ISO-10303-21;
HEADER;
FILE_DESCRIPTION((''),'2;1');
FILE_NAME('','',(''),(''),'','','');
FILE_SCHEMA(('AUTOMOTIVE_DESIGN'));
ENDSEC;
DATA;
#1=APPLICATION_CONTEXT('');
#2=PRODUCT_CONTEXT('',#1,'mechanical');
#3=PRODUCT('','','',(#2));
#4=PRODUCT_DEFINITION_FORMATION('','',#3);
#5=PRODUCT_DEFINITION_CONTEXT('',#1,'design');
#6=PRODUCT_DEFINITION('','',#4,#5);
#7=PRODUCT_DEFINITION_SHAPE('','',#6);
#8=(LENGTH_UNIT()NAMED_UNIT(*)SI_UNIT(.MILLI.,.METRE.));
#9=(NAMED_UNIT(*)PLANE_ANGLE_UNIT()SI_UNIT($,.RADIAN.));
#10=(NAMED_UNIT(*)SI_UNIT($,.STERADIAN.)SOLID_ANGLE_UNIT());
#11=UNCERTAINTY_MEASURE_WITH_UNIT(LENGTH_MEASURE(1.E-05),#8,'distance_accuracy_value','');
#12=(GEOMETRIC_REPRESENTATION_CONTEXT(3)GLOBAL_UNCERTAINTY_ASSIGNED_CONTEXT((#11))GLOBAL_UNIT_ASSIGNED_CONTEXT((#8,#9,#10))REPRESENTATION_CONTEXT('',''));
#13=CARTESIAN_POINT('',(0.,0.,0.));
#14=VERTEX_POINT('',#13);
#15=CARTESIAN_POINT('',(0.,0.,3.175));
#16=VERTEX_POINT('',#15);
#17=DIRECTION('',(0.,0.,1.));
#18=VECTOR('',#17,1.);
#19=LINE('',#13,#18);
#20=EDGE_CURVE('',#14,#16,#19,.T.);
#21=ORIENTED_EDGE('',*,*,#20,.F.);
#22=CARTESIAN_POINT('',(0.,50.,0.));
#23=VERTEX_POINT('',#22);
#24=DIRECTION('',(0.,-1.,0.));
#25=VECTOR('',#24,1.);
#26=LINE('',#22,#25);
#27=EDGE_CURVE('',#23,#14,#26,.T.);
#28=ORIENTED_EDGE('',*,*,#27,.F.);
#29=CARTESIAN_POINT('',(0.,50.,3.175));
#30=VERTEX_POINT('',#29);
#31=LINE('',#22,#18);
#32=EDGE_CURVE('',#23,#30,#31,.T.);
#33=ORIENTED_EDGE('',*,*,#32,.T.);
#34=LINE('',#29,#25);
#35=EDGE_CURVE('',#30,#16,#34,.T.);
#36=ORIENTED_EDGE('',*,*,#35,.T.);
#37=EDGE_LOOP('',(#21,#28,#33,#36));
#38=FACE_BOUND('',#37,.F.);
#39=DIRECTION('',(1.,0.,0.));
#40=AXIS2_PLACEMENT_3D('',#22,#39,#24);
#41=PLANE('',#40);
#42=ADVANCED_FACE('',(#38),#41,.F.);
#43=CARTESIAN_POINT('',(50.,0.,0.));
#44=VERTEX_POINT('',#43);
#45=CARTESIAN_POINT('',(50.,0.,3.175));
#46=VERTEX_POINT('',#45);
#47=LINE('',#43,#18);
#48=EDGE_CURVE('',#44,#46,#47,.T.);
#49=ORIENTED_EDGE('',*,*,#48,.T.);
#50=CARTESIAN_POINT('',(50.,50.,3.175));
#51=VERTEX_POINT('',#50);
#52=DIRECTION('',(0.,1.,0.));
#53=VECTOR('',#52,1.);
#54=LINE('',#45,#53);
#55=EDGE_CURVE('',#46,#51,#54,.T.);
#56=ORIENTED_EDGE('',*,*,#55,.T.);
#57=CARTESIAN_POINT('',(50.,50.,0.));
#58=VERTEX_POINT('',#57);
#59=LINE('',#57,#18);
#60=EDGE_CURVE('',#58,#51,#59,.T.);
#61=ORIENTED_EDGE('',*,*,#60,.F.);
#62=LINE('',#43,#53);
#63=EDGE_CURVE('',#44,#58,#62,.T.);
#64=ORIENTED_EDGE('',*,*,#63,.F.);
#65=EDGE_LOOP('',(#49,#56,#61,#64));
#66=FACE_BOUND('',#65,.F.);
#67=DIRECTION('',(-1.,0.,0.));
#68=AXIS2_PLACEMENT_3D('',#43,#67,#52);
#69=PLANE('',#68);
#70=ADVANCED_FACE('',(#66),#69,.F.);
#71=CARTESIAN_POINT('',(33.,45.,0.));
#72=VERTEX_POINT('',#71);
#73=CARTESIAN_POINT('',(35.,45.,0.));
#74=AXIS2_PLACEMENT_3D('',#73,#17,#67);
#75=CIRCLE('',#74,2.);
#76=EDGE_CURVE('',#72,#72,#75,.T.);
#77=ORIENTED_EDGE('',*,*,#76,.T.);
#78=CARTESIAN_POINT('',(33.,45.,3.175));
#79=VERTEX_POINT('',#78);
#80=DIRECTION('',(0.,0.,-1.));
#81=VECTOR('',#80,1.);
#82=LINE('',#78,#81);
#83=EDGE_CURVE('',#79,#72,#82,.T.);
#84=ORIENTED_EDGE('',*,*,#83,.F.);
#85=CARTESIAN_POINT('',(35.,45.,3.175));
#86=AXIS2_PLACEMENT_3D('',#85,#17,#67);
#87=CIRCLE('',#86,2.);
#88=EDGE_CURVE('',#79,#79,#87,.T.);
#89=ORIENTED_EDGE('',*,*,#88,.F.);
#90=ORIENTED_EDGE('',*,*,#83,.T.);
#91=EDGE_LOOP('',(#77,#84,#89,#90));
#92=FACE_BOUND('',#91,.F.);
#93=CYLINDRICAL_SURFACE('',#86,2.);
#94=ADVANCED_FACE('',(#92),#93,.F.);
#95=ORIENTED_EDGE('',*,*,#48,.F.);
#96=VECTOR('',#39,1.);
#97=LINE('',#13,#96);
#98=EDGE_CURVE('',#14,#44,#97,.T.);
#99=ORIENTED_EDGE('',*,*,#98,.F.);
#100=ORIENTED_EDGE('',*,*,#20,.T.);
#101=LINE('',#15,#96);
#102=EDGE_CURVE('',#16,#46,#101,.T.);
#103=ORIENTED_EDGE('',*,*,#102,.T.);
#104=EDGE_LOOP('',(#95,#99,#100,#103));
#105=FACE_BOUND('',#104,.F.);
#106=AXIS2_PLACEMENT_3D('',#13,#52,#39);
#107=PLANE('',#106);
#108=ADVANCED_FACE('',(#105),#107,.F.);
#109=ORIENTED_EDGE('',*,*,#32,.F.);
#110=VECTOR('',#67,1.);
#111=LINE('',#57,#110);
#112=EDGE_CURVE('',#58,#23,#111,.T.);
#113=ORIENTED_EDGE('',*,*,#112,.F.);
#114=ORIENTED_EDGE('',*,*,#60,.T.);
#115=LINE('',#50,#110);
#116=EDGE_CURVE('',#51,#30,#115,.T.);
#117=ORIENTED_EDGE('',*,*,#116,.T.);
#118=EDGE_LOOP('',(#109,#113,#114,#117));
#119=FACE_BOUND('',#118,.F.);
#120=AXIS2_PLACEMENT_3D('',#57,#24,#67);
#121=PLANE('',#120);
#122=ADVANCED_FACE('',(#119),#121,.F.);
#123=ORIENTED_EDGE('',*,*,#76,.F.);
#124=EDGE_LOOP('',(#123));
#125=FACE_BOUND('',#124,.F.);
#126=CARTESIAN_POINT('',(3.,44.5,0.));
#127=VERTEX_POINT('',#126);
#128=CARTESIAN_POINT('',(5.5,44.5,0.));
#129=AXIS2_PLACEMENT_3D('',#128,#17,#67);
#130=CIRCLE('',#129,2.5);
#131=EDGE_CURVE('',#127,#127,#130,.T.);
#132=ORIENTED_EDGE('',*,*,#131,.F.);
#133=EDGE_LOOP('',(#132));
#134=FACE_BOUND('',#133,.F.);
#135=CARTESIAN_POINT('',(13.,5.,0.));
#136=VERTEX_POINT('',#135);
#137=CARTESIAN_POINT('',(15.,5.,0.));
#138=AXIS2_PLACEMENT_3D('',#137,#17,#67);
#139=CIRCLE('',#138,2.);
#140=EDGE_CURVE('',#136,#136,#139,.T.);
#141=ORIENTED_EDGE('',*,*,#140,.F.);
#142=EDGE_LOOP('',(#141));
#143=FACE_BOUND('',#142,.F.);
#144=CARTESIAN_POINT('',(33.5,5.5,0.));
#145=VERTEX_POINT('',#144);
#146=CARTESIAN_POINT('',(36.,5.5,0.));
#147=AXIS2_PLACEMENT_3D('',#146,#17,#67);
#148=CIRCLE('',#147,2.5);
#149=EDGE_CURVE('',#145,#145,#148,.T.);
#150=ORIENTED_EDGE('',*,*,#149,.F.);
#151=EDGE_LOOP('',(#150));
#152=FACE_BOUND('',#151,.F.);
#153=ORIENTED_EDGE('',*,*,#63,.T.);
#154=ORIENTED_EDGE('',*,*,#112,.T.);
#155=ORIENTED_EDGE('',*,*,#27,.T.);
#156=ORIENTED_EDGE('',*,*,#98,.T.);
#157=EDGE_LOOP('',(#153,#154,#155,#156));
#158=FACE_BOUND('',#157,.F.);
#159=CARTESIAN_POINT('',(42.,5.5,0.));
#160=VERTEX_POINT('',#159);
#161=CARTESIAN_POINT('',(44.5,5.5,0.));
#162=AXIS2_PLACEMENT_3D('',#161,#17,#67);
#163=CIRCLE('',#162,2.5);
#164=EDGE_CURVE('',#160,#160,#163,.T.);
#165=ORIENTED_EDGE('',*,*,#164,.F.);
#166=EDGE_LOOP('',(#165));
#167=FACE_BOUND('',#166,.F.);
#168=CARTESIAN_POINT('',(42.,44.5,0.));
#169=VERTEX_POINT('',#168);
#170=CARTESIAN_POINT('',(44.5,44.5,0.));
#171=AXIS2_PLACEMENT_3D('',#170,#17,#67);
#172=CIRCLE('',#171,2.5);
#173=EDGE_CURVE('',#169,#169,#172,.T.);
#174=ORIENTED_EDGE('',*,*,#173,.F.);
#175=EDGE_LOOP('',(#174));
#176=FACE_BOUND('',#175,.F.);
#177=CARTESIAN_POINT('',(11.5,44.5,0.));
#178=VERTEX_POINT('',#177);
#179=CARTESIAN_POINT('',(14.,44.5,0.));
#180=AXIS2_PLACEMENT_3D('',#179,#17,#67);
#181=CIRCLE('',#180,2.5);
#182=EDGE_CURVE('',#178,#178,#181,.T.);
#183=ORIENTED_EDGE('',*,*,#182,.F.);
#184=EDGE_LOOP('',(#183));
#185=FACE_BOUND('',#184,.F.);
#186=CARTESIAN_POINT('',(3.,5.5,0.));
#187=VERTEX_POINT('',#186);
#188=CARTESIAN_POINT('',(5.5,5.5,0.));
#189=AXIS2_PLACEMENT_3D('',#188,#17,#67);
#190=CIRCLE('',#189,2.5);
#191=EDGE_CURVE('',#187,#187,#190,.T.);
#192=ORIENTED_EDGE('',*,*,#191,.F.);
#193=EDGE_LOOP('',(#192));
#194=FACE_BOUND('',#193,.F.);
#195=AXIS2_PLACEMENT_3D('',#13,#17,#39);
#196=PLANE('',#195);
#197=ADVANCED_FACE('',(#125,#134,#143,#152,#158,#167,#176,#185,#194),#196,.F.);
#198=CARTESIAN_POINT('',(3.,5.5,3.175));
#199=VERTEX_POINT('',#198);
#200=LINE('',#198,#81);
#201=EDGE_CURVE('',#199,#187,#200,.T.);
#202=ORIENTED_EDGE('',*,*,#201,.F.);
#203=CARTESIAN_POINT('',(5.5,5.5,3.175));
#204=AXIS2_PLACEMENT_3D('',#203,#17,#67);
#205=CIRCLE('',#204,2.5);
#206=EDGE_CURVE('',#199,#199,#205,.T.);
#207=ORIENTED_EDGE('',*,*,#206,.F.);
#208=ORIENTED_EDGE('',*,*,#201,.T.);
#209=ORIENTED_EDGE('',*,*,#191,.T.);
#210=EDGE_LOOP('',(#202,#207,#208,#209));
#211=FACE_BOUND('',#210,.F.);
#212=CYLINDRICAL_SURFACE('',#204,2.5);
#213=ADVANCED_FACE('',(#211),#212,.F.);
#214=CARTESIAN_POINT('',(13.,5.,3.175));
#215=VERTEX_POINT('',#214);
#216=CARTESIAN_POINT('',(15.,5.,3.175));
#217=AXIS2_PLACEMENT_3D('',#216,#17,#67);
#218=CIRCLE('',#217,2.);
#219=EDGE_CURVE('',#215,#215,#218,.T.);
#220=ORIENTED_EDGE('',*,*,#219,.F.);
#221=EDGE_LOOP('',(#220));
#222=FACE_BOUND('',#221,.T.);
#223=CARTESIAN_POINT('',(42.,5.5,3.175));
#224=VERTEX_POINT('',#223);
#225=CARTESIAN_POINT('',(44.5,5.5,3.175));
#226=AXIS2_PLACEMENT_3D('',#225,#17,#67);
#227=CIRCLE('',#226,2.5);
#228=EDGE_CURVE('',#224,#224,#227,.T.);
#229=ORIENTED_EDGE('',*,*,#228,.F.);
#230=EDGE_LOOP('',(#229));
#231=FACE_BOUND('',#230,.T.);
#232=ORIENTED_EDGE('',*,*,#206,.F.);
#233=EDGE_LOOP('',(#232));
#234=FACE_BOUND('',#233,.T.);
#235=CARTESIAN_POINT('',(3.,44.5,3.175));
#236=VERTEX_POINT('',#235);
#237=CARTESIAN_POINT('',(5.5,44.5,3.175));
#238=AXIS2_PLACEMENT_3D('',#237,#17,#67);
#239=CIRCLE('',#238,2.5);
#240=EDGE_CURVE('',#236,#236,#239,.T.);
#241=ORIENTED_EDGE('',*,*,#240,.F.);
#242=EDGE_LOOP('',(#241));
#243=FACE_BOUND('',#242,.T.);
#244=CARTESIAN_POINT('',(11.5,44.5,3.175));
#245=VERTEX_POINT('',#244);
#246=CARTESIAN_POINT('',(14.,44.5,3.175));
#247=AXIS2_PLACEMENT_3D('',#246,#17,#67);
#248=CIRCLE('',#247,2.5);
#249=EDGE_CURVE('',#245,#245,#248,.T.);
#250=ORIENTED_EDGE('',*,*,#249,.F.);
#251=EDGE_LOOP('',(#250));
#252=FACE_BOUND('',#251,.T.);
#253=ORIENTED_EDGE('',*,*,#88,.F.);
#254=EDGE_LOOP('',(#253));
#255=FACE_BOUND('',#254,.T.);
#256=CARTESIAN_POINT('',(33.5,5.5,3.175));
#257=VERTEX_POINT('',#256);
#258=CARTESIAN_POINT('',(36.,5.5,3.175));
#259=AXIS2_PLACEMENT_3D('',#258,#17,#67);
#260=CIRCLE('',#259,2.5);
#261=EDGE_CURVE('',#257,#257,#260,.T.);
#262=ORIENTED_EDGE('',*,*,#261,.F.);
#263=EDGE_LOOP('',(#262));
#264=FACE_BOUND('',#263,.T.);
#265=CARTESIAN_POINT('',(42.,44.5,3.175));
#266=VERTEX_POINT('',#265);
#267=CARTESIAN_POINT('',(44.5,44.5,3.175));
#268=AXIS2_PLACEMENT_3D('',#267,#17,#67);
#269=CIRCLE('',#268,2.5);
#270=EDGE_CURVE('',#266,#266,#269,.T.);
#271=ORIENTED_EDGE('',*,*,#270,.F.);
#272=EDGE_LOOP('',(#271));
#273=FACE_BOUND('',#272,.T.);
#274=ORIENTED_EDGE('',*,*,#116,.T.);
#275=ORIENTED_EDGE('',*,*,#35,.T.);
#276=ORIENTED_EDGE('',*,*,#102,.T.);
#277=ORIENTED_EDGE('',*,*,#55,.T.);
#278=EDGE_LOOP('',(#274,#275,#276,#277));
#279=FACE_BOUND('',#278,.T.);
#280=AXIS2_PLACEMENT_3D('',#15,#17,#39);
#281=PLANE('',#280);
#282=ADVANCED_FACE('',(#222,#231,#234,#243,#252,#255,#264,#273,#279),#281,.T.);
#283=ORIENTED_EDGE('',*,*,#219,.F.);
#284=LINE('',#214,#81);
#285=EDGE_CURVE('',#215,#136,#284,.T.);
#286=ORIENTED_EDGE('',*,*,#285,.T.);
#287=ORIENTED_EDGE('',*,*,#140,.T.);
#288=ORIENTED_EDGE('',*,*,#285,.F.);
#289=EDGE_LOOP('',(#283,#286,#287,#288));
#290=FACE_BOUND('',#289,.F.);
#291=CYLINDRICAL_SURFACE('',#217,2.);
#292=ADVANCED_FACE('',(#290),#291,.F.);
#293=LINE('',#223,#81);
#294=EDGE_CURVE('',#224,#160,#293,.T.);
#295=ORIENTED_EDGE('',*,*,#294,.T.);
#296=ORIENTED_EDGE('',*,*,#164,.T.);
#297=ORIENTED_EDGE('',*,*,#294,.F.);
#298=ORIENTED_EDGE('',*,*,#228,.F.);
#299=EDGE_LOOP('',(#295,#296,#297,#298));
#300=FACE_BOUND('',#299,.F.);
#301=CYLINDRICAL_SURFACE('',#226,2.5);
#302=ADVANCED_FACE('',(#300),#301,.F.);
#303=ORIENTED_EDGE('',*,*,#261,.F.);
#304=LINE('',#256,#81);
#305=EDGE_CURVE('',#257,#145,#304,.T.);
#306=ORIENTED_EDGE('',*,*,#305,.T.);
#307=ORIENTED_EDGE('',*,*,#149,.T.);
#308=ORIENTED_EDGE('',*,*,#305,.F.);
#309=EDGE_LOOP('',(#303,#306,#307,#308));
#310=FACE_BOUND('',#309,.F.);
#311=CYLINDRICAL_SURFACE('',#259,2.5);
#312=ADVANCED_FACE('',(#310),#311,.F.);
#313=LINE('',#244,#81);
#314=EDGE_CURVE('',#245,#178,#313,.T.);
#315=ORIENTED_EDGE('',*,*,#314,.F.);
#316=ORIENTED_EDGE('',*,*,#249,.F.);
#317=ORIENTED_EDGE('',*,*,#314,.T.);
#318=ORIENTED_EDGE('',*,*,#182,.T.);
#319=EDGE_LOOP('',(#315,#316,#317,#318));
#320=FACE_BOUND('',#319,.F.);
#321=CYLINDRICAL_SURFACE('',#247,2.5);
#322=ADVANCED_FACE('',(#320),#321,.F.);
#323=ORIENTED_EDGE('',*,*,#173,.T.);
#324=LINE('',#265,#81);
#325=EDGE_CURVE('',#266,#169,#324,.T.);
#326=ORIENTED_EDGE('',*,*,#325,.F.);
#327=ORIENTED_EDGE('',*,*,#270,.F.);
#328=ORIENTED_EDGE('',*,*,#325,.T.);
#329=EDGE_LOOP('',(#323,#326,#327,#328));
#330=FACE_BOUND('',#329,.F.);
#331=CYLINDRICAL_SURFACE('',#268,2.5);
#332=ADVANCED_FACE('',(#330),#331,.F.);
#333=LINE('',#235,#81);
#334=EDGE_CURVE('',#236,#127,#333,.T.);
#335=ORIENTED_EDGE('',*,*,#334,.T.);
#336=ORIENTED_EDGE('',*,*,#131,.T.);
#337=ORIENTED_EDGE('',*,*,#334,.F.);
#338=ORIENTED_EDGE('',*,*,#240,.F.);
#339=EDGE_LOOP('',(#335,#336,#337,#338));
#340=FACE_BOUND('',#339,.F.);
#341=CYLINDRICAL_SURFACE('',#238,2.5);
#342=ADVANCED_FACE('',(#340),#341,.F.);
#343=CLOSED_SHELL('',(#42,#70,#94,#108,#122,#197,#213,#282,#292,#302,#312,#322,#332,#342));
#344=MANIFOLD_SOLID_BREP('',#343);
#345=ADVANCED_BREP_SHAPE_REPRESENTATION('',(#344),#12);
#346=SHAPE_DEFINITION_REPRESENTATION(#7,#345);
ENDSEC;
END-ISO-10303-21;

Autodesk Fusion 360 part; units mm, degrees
sketch "Esquisse1" plane through (0, 0, 0) normal (0, 0, 1) x (1, 0, 0)
  line L0 (0, 0) -> (50, 0)
  line L1 (50, 0) -> (50, 50)
  line L2 (50, 50) -> (0, 50)
  line L3 (0, 50) -> (0, 0)
  dimension "d1" = 50
  dimension "d2" = 50
extrude "Extrusion1" add sketch "Esquisse1" along normal blind 3.175
sketch "Esquisse2" plane through (0, 0, 3.175) normal (0, 0, 1) x (-1, 0, 0)
  line L0 (0, -50) -> (0, 0)
  line L1 (0, 0) -> (-50, 0)
  line L2 (-50, 0) -> (-50, -50)
  line L3 (-50, -50) -> (0, -50)
  line L4 (-50, -50) -> (0, 0) construction
  circle A0 centre (-5.5, -44.5) radius 2.5
  circle A1 centre (-44.5, -44.5) radius 2.5
  circle A2 centre (-44.5, -5.5) radius 2.5
  circle A3 centre (-5.5, -5.5) radius 2.5
  line L5 (-44.5, -5.5) -> (-5.5, -44.5) construction
  line L6 (-5.5, -5.5) -> (-44.5, -44.5) construction
  point P0 (-47, -5.5)
  point P1 (-44.5, -3)
  dimension "d5" = 3
  dimension "d6" = 3
  dimension "d7" = 5
extrude "Extrusion2" cut sketch "Esquisse2" against normal up to surface (3.175 mm away) contours A0 | A1 | A2 | A3
sketch "Esquisse3" plane through (0, 0, 3.175) normal (0, 0, 1) x (-1, 0, 0)
  circle A0 centre (-5.5, -5.5) radius 2.5
  circle A1 centre (-44.5, -5.5) radius 2.5
  circle A2 centre (-5.5, -44.5) radius 2.5
  circle A3 centre (-44.5, -44.5) radius 2.5
  line L0 (0, -50) -> (0, 0)
  line L1 (0, 0) -> (-50, 0)
  line L2 (-50, 0) -> (-50, -50)
  line L3 (-50, -50) -> (0, -50)
  line L4 (-50, -50) -> (0, 0) construction
  circle A4 centre (-35, -45) radius 2
  circle A5 centre (-15, -5) radius 2
  line L5 (-15, -5) -> (-35, -45) construction
  point P0 (-25, -25)
  point P1 (-35, -47)
  dimension "d10" = 4
  dimension "d11" = 10
  dimension "d12" = 3
extrude "Extrusion3" cut sketch "Esquisse3" against normal up to surface (3.175 mm away) contours A4 | A5
sketch "Esquisse4" plane through (0, 0, 3.175) normal (0, 0, 1) x (-1, 0, 0)
  circle A0 centre (-35, -45) radius 2
  circle A1 centre (-15, -5) radius 2
  circle A2 centre (-5.5, -5.5) radius 2.5
  circle A3 centre (-44.5, -5.5) radius 2.5
  circle A4 centre (-5.5, -44.5) radius 2.5
  circle A5 centre (-44.5, -44.5) radius 2.5
  line L0 (0, -50) -> (0, 0)
  line L1 (0, 0) -> (-50, 0)
  line L2 (-50, 0) -> (-50, -50)
  line L3 (-50, -50) -> (0, -50)
  line L4 (-10, -40) -> (-40, -40) construction
  line L5 (-40, -40) -> (-40, -10) construction
  line L6 (-40, -10) -> (-10, -10) construction
  line L7 (-10, -10) -> (-10, -40) construction
  line L8 (-10, -40) -> (-40, -10) construction
  line L9 (0, 0) -> (-50, -50) construction
  circle A6 centre (-14, -44.5) radius 2.5
  circle A7 centre (-36, -5.5) radius 2.5
  line L10 (-36, -5.5) -> (-14, -44.5) construction
  point P0 (-14, -42)
  dimension "d15" = 30
  dimension "d16" = 30
  dimension "d17" = 5
  dimension "d18" = 2
  dimension "d19" = 4
extrude "Extrusion4" cut sketch "Esquisse4" against normal up to surface (3.175 mm away) contours A6 | A7
sketch "Esquisse5" plane through (0, 0, 3.175) normal (0, 0, 1) x (-1, 0, 0)
  circle A0 centre (-14, -44.5) radius 2.5
  circle A1 centre (-36, -5.5) radius 2.5
  circle A2 centre (-35, -45) radius 2
  circle A3 centre (-15, -5) radius 2
  circle A4 centre (-5.5, -5.5) radius 2.5
  circle A5 centre (-44.5, -5.5) radius 2.5
  circle A6 centre (-5.5, -44.5) radius 2.5
  circle A7 centre (-44.5, -44.5) radius 2.5
  line L0 (0, -50) -> (0, 0)
  line L1 (0, 0) -> (-50, 0)
  line L2 (-50, 0) -> (-50, -50)
  line L3 (-50, -50) -> (0, -50)
  line L4 (-10, -40) -> (-40, -40)
  line L5 (-40, -40) -> (-40, -10)
  line L6 (-40, -10) -> (-10, -10)
  line L7 (-10, -10) -> (-10, -40)
  point P0 (-40, -25)
  point P1 (-50, -25)
  point P2 (-25, -40)
  point P3 (-25, -50)
  dimension "d22" = 30
sketch "Esquisse6" plane through (0, 0, 0) normal (0, 0, -1) x (1, 0, 0)
  circle A0 centre (14, -44.5) radius 2.5
  circle A1 centre (36, -5.5) radius 2.5
  circle A2 centre (35, -45) radius 2
  circle A3 centre (15, -5) radius 2
  circle A4 centre (5.5, -5.5) radius 2.5
  circle A5 centre (44.5, -5.5) radius 2.5
  circle A6 centre (5.5, -44.5) radius 2.5
  circle A7 centre (44.5, -44.5) radius 2.5
  line L0 (0, 0) -> (0, -50)
  line L1 (0, -50) -> (50, -50)
  line L2 (50, -50) -> (50, 0)
  line L3 (50, 0) -> (0, 0)
  line L4 (0, -10) -> (50, -10)
  line L5 (50, -10) -> (50, -40)
  line L6 (50, -40) -> (0, -40)
  line L7 (0, -40) -> (0, -10)
  point P0 (10, -40)
  point P1 (10, -10)
equation "d3 = 1 / 8 * 1 in"
